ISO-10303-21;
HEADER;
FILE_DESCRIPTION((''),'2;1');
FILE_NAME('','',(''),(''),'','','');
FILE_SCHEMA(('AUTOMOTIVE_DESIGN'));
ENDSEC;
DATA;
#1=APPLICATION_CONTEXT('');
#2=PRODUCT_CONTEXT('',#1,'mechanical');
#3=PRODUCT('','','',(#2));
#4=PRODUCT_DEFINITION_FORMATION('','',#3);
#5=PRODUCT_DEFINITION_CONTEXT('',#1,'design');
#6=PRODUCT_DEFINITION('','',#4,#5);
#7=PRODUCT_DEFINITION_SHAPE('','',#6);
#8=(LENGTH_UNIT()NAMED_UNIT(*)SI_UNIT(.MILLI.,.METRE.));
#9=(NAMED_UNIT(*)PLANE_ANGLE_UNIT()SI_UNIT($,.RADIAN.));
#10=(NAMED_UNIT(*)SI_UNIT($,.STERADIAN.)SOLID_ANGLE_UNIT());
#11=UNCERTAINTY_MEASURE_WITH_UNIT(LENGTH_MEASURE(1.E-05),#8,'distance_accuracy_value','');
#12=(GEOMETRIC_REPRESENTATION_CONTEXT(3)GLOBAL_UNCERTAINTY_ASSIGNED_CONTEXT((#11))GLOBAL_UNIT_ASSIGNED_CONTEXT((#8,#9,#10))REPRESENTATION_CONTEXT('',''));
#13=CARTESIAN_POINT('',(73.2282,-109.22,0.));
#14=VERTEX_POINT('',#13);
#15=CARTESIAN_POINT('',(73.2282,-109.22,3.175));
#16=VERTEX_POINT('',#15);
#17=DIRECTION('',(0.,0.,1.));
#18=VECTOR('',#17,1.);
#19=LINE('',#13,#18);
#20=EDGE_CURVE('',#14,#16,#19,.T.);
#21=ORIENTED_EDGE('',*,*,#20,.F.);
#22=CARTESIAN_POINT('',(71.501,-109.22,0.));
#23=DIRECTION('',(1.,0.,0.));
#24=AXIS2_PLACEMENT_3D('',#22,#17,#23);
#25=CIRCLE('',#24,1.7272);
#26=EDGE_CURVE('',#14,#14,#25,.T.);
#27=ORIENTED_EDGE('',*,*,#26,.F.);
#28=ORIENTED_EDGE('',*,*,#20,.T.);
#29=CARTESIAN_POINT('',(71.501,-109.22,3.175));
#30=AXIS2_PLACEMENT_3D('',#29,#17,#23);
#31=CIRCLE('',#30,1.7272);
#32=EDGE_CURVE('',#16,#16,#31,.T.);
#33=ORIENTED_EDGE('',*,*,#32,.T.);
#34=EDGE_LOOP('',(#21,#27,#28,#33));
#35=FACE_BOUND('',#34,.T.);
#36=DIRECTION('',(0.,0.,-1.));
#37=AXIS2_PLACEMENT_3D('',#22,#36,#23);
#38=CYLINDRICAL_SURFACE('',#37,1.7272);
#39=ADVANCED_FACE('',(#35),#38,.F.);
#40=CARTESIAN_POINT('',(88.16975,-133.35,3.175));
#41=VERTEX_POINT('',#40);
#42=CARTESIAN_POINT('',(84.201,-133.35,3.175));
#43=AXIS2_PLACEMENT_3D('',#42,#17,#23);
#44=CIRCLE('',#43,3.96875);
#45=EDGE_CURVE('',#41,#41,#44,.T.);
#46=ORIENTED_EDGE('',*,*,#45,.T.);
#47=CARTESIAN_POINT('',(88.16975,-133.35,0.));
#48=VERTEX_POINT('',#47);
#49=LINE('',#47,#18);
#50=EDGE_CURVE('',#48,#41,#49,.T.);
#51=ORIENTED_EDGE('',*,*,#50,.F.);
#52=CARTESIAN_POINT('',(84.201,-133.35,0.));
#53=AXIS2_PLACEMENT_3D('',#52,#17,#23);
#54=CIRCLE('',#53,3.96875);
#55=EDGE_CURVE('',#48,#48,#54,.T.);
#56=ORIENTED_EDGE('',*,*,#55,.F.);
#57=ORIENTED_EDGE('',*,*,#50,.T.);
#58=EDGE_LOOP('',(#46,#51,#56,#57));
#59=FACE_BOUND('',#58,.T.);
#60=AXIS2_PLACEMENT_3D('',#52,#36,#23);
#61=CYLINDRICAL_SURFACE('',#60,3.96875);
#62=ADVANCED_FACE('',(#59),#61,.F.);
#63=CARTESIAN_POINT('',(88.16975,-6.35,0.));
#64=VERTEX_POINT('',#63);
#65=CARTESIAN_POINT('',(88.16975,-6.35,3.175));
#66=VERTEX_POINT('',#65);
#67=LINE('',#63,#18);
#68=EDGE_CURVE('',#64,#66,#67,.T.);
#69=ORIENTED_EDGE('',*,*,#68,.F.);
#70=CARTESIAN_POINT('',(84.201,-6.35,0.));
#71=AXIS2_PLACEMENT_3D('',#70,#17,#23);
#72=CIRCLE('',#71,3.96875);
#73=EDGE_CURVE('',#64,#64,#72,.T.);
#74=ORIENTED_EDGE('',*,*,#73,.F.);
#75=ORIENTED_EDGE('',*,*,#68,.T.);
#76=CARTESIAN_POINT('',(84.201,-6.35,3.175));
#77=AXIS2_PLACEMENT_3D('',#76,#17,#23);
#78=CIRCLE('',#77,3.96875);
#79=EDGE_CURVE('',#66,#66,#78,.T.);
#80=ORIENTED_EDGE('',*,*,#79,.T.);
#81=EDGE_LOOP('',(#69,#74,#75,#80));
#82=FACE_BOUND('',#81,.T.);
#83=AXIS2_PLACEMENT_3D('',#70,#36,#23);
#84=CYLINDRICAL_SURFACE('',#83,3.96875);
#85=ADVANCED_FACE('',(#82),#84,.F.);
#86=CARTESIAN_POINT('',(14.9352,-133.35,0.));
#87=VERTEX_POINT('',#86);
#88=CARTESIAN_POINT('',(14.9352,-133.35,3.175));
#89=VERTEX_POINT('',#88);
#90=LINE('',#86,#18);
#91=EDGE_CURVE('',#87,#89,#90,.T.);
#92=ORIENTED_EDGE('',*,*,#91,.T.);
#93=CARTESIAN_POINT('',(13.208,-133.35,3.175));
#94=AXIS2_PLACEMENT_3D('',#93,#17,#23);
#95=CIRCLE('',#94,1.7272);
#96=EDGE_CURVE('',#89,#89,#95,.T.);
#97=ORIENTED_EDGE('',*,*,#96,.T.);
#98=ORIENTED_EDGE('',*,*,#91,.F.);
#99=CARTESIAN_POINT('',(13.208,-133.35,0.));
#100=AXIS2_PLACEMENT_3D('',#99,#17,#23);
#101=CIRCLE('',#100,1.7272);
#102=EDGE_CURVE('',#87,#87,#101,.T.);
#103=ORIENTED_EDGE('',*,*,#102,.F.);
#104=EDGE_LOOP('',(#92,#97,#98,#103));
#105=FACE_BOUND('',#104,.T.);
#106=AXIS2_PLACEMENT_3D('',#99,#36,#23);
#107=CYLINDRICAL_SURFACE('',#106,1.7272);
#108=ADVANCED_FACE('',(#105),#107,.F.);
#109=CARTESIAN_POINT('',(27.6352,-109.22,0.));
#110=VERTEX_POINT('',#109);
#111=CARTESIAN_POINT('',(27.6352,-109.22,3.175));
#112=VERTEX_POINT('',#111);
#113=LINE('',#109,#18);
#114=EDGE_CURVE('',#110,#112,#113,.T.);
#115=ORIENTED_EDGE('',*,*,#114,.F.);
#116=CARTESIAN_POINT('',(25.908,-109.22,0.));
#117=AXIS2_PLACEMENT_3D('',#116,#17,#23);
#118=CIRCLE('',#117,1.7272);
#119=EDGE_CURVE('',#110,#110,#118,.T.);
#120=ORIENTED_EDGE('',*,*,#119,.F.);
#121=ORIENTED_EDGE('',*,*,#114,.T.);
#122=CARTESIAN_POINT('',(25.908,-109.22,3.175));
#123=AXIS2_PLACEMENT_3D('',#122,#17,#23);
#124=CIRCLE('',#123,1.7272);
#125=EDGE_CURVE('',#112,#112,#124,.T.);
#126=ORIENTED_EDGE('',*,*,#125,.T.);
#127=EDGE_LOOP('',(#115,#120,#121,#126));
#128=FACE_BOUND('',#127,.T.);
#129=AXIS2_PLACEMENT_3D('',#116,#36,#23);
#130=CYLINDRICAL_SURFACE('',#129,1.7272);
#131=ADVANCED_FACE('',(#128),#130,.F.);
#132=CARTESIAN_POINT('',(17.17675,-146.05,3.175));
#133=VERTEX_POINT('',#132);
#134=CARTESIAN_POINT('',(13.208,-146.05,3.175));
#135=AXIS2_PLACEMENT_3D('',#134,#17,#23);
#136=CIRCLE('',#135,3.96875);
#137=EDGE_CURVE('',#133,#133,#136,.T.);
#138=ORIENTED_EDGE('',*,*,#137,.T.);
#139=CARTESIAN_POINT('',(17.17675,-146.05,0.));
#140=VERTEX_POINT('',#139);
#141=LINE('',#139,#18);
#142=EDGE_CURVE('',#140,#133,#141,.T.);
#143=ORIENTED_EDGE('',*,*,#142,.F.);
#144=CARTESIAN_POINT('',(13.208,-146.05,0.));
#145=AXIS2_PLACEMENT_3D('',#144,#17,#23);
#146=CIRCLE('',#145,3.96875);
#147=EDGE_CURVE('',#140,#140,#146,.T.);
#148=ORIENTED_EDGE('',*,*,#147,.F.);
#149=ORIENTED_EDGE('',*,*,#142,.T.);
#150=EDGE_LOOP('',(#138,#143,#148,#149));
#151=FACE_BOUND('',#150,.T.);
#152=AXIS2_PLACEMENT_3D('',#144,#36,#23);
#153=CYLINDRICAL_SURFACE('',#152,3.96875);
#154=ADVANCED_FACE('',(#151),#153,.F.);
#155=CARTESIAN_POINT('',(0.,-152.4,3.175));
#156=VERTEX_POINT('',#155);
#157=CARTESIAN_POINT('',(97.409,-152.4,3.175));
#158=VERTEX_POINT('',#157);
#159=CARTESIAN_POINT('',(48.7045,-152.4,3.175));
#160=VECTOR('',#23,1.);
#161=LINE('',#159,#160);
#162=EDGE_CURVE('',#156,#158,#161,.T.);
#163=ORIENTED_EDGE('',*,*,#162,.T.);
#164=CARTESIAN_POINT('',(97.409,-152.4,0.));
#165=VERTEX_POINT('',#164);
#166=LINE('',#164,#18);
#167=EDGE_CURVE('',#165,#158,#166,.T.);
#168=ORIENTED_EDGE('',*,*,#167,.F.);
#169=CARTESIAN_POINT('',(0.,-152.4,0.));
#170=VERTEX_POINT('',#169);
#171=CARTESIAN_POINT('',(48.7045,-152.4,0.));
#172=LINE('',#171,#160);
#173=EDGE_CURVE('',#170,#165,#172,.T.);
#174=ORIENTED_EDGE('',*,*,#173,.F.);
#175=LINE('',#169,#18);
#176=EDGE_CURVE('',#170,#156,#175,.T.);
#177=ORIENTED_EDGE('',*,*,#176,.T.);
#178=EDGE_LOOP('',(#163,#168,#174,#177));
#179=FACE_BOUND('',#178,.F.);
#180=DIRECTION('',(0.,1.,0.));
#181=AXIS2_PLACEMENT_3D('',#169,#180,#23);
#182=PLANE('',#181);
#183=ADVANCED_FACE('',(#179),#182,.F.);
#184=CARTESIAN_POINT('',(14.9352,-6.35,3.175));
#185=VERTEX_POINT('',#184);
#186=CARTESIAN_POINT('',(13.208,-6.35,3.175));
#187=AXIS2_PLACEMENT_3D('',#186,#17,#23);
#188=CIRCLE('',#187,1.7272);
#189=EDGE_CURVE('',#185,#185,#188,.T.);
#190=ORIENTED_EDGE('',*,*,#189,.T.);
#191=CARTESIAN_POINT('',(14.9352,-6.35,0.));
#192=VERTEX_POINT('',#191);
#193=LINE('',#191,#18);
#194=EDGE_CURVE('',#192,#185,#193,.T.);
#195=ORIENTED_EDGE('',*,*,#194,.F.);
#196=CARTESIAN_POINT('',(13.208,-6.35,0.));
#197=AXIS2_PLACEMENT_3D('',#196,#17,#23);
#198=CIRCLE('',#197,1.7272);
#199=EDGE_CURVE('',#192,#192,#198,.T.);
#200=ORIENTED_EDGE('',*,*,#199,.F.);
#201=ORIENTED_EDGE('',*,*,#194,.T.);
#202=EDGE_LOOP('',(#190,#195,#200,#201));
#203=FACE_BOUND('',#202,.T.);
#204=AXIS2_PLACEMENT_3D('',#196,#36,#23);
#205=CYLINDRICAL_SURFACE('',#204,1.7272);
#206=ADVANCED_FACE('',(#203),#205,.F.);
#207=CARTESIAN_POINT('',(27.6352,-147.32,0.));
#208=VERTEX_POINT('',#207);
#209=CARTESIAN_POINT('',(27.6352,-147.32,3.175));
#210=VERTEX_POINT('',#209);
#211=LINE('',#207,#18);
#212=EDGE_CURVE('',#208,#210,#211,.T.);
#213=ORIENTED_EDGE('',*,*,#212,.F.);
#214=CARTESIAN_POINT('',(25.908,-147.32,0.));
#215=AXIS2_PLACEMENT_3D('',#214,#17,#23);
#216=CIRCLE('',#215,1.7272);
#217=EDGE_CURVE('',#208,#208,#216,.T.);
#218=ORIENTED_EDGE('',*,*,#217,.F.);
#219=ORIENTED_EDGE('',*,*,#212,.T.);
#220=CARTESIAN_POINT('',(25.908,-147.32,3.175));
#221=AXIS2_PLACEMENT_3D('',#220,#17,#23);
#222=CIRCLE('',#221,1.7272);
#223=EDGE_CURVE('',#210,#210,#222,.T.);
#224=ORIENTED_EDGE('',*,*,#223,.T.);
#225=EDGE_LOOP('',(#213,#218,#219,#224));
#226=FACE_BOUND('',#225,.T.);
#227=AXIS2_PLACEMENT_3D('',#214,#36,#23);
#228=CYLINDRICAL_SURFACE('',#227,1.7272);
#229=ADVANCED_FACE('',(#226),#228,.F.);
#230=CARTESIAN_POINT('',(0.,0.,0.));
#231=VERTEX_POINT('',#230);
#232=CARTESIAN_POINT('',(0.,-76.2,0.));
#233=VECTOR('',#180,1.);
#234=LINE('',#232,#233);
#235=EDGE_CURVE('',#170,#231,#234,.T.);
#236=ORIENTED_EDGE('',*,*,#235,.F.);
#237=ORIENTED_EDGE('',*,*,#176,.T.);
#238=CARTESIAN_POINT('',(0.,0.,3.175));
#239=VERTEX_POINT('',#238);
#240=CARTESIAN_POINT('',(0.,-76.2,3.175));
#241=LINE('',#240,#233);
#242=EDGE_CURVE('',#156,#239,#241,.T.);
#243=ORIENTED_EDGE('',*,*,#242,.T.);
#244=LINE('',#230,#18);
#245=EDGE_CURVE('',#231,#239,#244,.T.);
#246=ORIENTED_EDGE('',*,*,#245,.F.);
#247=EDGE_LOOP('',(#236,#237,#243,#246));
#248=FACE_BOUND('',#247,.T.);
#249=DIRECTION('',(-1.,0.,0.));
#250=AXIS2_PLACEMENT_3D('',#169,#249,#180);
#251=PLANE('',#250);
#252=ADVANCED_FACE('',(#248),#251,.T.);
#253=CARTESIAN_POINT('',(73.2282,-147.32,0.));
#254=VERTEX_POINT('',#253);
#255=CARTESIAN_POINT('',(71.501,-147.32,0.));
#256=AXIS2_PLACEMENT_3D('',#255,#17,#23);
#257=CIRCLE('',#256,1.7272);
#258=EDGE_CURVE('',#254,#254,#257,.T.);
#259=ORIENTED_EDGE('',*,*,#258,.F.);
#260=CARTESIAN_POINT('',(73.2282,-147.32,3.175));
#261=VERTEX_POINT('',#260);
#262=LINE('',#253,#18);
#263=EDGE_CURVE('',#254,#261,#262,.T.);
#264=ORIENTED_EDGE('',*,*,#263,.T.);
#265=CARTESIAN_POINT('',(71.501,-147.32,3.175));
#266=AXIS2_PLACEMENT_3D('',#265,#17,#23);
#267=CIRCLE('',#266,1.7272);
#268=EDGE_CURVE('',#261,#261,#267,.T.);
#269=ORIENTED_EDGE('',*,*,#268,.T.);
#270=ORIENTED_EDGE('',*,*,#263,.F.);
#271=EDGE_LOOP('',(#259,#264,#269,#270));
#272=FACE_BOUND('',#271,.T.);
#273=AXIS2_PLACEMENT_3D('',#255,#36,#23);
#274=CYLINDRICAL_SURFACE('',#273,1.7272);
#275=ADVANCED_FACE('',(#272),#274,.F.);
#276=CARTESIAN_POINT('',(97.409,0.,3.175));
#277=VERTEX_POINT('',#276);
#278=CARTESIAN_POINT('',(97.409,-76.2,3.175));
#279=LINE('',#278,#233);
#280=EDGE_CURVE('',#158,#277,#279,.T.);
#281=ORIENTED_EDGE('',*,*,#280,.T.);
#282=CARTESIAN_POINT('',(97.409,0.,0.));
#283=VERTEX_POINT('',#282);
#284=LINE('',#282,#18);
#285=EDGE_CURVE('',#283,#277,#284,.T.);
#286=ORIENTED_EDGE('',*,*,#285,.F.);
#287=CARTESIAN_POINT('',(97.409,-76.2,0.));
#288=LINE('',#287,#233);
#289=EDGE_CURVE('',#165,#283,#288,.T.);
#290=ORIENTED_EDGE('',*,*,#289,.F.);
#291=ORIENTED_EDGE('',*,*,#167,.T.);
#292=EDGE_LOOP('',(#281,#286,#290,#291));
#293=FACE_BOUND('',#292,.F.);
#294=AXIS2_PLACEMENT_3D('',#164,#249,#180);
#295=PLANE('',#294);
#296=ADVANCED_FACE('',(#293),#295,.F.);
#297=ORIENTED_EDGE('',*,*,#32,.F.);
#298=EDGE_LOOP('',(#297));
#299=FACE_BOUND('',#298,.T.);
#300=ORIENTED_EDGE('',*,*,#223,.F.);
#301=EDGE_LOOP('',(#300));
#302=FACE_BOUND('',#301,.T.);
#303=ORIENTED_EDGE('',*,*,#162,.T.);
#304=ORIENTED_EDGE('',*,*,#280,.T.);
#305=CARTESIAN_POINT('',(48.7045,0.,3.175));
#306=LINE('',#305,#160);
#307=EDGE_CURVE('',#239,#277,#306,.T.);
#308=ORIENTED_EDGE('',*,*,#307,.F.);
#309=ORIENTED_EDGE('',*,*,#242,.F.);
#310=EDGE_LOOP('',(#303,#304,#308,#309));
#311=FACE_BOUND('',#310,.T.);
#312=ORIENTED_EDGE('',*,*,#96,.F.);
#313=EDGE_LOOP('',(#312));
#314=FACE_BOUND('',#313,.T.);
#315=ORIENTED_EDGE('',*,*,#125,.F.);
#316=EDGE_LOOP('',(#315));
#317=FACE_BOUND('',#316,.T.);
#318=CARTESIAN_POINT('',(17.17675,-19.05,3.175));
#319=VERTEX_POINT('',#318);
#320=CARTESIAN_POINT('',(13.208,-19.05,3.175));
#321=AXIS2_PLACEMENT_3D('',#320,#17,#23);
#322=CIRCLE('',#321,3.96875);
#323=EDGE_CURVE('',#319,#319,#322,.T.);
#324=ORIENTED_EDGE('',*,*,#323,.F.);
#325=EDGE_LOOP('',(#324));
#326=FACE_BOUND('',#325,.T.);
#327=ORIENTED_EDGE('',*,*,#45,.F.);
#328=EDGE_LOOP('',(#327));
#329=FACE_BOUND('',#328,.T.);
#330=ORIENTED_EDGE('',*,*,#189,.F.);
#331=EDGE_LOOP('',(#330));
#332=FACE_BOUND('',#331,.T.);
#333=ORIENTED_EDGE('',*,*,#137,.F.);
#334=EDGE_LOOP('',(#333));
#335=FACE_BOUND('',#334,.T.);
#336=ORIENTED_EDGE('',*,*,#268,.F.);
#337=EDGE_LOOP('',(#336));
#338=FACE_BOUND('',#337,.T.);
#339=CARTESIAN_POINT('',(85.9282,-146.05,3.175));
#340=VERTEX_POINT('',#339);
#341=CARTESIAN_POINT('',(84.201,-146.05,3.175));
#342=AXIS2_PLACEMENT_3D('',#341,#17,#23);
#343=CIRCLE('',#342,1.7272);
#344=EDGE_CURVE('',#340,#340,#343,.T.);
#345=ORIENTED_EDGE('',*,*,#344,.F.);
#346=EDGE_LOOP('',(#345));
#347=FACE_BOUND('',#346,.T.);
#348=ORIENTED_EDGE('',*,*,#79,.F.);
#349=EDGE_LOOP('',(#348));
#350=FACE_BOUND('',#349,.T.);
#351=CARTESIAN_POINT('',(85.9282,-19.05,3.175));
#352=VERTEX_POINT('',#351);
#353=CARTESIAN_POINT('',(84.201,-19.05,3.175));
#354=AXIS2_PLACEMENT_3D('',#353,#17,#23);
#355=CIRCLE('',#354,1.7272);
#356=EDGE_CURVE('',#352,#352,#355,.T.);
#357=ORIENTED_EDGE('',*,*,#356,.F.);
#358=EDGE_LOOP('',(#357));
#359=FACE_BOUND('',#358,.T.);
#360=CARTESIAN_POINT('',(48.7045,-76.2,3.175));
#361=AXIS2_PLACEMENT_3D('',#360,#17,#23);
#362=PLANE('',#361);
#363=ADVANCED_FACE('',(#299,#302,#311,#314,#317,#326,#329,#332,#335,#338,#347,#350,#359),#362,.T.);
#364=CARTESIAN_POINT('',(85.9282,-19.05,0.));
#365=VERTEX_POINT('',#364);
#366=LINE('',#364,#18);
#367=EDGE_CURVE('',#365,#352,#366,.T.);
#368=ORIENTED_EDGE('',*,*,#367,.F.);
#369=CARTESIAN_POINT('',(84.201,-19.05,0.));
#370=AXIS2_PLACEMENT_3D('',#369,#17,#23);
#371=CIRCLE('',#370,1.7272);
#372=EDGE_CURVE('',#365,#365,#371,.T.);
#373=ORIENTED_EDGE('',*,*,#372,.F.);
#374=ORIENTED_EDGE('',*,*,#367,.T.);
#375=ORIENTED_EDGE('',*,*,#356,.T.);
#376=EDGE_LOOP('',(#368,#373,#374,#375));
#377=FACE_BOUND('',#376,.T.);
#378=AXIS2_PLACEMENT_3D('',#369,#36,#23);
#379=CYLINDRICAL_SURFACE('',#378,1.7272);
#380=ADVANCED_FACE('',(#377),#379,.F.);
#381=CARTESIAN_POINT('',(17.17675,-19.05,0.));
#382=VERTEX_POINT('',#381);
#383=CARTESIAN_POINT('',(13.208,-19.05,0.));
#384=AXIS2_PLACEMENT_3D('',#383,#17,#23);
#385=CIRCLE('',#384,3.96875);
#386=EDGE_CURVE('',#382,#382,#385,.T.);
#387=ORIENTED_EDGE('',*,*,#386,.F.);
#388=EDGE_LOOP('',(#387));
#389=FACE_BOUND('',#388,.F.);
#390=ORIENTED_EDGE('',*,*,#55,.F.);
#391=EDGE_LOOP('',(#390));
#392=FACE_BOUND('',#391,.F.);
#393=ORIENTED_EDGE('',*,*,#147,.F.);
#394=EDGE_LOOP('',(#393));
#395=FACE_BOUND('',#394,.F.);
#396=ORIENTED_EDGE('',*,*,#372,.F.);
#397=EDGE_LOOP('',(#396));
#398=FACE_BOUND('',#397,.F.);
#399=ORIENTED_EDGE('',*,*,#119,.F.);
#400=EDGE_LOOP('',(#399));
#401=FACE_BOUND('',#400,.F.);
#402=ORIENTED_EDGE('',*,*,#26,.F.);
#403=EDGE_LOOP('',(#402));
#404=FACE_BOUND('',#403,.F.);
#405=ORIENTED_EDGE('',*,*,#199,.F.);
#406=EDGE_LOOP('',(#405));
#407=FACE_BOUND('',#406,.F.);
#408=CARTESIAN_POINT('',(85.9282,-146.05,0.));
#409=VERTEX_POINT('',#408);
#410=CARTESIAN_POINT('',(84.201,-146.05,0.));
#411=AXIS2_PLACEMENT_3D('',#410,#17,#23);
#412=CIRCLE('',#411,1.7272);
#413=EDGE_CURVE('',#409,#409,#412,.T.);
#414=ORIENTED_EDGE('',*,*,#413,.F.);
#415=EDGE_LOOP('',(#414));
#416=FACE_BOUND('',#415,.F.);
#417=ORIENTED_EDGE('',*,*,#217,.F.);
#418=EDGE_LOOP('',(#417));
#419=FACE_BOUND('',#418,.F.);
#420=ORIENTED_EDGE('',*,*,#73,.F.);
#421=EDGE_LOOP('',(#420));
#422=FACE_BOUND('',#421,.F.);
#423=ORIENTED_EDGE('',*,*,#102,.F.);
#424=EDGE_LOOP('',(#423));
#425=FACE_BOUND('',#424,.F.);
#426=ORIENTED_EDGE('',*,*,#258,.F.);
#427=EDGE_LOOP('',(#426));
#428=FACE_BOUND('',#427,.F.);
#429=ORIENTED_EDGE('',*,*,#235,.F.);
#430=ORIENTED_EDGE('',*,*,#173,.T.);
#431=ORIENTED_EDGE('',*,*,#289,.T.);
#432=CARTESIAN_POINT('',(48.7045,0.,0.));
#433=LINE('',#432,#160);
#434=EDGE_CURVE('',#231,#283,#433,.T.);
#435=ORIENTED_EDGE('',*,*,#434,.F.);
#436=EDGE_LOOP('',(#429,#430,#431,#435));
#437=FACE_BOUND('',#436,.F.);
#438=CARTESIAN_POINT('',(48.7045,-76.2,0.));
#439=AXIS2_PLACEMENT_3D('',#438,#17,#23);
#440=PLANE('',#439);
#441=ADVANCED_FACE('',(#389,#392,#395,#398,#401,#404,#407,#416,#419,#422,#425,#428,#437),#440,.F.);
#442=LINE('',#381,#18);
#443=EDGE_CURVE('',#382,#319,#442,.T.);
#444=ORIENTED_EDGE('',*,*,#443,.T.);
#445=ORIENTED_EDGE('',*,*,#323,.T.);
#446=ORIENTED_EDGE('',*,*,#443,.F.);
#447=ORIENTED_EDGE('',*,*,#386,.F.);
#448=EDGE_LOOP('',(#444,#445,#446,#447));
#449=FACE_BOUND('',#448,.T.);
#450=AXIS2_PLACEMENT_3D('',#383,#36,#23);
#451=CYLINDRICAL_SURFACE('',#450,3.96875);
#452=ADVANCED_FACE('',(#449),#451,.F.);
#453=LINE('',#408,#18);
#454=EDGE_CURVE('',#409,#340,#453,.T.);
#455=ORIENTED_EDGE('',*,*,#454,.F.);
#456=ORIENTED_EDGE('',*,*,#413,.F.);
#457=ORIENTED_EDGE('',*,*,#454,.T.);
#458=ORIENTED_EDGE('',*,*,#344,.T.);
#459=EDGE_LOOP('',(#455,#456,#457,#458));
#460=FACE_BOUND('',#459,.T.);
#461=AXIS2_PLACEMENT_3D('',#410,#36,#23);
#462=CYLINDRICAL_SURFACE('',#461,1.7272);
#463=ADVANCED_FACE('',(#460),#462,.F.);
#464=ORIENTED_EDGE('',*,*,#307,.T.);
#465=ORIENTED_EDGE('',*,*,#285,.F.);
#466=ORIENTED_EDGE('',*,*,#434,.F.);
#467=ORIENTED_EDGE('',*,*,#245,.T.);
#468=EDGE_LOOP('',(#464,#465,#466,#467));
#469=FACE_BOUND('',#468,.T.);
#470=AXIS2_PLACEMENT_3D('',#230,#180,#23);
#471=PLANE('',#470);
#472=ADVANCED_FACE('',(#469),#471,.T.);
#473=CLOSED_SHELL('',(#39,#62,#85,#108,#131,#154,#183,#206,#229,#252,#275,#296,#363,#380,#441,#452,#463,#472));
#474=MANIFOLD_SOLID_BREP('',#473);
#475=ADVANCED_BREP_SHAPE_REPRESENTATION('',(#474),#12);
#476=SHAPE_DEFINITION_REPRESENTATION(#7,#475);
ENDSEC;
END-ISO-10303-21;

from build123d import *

# Parameters (mm, degrees)
F0_W     = 97.409
F0_H     = 152.4
F0_R     = 3.96875
F0_R_2   = 1.7272
F1_DEPTH = 3.175


with BuildPart() as f1:
    # F0 (on Top) → F1 (new body)
    with BuildSketch(Plane.XY):
        with Locations((48.7045, -76.2)):
            Rectangle(F0_W, F0_H)
        with Locations((13.208, -146.05)):
            Circle(F0_R, mode=Mode.SUBTRACT)
        with Locations((13.208, -133.35)):
            Circle(F0_R_2, mode=Mode.SUBTRACT)
        with Locations((25.908, -147.32)):
            Circle(F0_R_2, mode=Mode.SUBTRACT)
        with Locations((25.908, -109.22)):
            Circle(F0_R_2, mode=Mode.SUBTRACT)
        with Locations((71.501, -147.32)):
            Circle(F0_R_2, mode=Mode.SUBTRACT)
        with Locations((84.201, -146.05)):
            Circle(F0_R_2, mode=Mode.SUBTRACT)
        with Locations((84.201, -133.35)):
            Circle(F0_R, mode=Mode.SUBTRACT)
        with Locations((71.501, -109.22)):
            Circle(F0_R_2, mode=Mode.SUBTRACT)
        with Locations((13.208, -19.05)):
            Circle(F0_R, mode=Mode.SUBTRACT)
        with Locations((13.208, -6.35)):
            Circle(F0_R_2, mode=Mode.SUBTRACT)
        with Locations((84.201, -19.05)):
            Circle(F0_R_2, mode=Mode.SUBTRACT)
        with Locations((84.201, -6.35)):
            Circle(F0_R, mode=Mode.SUBTRACT)
    extrude(amount=F1_DEPTH)


solid = f1.part
